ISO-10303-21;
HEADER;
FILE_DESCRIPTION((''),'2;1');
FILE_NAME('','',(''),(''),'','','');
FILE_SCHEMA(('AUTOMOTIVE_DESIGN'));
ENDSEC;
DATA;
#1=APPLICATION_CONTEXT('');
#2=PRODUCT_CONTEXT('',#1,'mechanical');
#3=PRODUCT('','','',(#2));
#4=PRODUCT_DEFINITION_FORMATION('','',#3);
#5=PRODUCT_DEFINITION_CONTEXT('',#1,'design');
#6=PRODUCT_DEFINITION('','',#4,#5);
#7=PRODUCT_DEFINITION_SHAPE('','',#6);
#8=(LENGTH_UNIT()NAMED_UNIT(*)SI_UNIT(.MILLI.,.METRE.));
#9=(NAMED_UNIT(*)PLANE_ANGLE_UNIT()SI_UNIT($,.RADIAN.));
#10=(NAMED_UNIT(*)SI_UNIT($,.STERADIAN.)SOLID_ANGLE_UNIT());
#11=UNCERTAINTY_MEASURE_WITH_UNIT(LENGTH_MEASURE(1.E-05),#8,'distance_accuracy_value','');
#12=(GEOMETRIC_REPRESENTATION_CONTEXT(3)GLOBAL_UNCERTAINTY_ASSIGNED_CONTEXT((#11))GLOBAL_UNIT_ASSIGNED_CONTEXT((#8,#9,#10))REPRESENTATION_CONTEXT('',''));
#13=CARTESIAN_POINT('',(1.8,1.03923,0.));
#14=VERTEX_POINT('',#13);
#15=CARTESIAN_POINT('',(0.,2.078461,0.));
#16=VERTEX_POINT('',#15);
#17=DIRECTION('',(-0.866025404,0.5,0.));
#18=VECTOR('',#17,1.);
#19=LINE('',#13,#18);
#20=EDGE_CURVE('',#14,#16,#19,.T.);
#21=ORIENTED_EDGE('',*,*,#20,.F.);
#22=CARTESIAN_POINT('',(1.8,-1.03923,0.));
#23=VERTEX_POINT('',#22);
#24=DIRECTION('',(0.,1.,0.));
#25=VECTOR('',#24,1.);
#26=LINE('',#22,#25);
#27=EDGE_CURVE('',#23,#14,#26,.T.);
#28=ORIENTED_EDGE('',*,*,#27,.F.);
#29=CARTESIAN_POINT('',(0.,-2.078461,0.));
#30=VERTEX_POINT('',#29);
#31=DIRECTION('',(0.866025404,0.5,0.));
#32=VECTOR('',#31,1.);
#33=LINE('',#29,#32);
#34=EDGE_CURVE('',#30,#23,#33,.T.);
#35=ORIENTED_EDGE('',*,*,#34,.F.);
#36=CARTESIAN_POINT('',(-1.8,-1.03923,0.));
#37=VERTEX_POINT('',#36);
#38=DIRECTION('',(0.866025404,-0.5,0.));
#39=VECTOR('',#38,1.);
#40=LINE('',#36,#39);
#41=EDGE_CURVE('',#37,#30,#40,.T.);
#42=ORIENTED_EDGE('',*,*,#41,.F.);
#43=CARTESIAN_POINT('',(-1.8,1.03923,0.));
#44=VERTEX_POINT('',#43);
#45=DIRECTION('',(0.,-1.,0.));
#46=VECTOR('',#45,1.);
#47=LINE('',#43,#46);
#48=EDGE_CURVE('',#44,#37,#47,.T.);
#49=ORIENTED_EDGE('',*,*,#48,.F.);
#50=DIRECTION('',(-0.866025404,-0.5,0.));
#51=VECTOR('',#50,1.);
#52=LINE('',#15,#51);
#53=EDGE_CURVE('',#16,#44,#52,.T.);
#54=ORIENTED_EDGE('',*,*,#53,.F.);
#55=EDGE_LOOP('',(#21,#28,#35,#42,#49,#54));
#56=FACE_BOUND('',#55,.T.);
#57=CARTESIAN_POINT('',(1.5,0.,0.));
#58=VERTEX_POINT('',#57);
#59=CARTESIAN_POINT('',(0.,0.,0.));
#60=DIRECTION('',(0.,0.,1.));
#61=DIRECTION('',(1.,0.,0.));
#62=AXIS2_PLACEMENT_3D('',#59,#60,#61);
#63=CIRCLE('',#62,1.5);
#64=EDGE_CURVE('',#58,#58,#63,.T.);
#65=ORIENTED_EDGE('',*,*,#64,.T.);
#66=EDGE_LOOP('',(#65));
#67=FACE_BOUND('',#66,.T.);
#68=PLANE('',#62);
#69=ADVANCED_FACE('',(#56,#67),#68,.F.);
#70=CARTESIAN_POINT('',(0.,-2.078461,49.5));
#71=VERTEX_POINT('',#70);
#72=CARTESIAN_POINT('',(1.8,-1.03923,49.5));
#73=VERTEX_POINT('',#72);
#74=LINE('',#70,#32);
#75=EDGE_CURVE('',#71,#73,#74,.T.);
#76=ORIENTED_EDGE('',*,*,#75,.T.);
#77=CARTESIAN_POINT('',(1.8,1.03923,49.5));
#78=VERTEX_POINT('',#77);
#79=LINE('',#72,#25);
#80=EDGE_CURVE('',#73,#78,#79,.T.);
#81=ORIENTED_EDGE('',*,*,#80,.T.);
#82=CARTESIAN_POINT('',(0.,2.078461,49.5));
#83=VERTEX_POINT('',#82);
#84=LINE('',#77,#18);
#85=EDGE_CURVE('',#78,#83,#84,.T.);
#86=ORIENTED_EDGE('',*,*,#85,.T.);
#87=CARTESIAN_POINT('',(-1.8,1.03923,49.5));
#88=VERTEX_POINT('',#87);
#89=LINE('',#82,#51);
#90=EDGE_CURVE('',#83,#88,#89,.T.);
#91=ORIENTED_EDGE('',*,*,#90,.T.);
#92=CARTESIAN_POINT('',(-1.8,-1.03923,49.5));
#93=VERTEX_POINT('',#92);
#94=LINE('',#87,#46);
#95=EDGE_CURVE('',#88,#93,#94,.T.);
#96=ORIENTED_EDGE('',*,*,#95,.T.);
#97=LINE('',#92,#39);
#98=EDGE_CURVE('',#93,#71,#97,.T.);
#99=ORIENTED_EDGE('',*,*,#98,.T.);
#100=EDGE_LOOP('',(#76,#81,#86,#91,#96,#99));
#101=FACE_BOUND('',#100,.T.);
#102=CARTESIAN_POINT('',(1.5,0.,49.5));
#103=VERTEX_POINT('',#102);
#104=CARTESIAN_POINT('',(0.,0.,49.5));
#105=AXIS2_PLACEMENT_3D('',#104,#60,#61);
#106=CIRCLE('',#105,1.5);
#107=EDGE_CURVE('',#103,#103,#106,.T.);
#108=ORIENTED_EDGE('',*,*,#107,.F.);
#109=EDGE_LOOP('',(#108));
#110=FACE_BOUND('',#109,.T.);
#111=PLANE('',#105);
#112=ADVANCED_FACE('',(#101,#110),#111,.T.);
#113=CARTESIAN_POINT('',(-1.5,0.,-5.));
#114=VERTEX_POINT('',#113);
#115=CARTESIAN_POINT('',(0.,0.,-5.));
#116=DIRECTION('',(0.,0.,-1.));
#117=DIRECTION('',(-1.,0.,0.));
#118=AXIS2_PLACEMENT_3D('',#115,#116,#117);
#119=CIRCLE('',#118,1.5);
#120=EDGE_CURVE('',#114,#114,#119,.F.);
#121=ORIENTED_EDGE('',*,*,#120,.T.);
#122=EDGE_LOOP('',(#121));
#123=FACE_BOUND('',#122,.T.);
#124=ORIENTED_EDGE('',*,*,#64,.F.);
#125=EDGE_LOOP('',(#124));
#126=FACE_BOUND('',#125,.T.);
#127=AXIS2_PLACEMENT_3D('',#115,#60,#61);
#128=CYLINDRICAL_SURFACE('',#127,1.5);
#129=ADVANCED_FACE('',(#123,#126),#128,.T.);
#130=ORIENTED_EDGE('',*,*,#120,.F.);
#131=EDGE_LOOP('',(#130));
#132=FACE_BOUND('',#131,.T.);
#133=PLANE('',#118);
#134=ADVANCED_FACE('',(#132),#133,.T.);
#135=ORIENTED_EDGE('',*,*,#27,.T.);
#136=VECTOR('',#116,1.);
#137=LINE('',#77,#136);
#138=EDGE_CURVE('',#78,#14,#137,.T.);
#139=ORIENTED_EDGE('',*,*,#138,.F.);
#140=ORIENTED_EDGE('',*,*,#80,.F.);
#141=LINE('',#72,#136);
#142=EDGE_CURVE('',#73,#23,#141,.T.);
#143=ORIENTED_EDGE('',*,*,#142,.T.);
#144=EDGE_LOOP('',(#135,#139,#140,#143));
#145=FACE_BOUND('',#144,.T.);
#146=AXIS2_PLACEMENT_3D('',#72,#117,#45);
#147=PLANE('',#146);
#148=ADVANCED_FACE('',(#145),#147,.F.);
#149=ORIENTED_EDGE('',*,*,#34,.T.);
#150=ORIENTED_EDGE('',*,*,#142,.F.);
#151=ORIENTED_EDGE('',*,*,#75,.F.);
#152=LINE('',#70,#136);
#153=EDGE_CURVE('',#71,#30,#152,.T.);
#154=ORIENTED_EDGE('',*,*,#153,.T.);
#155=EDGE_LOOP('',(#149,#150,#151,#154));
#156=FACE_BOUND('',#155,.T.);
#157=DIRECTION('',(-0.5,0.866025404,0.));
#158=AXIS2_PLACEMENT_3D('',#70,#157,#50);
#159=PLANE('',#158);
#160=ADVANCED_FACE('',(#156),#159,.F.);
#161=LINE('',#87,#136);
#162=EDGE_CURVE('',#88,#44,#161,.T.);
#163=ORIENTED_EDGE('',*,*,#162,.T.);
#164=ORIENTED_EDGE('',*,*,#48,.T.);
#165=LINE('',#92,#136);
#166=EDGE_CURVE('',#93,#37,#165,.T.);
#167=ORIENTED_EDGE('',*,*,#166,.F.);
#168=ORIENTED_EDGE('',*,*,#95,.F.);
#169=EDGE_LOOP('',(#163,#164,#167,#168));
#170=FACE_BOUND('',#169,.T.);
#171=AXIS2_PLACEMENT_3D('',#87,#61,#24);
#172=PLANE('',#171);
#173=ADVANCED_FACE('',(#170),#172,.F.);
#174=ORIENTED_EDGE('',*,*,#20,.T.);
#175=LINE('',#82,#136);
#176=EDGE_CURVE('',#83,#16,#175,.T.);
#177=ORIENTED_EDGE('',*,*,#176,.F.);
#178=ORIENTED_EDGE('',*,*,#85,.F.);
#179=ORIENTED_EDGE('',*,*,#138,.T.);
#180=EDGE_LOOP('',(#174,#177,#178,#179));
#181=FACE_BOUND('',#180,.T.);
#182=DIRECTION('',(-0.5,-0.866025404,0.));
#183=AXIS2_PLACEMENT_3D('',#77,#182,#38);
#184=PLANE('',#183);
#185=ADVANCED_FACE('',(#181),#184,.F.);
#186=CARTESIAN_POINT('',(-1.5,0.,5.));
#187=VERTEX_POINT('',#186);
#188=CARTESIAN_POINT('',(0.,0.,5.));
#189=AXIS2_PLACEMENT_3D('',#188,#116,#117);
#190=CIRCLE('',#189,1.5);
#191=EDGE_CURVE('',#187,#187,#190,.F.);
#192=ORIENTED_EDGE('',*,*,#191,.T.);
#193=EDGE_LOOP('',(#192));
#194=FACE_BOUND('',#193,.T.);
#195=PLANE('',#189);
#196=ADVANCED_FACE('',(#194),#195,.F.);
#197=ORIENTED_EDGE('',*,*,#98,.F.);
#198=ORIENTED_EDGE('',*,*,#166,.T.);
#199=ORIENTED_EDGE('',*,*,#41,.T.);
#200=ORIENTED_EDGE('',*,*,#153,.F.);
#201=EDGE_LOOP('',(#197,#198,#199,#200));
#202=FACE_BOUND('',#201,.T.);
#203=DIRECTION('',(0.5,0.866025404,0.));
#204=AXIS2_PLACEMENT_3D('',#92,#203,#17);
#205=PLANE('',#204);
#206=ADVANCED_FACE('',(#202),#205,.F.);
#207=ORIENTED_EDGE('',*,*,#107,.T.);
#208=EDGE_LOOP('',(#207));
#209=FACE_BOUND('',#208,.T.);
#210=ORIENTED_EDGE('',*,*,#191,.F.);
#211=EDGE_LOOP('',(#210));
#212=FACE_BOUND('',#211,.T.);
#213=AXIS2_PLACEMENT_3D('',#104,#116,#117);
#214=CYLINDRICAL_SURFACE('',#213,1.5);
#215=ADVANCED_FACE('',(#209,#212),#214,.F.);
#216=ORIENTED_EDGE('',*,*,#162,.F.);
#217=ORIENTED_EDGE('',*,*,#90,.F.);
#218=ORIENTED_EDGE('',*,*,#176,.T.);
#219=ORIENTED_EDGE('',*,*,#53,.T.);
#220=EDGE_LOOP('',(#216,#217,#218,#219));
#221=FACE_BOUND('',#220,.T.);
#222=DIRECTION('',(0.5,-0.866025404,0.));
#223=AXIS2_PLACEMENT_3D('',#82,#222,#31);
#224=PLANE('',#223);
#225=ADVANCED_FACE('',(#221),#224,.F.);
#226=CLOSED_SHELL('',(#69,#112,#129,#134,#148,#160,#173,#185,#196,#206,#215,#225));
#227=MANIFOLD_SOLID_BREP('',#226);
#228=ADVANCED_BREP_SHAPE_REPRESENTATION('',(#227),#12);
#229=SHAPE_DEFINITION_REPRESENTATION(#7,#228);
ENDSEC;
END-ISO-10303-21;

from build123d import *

# Parameters (mm, degrees)
SKETCH_1_R      = 1.5
EXTRUDE_1_DEPTH = 49.5
SKETCH_2_R      = 1.5
EXTRUDE_2_DEPTH = 5


with BuildPart() as part:
    # 草图1 → 凸台-拉伸1 (new body)
    with BuildSketch(Plane.XY):
        Polygon((0, 2.078460969), (-1.8, 1.039230485), (-1.8, -1.039230485), (0, -2.078460969), (1.8, -1.039230485), (1.8, 1.039230485), align=None)
        Circle(SKETCH_1_R, mode=Mode.SUBTRACT)
    extrude(amount=EXTRUDE_1_DEPTH)

    # 草图2 → 凸台-拉伸2 (add, symmetric)
    with BuildSketch(Plane(origin=(0, 0, 0), x_dir=(-1, 0, 0), z_dir=(0, 0, -1))):
        Circle(SKETCH_2_R)
    extrude(amount=EXTRUDE_2_DEPTH, both=True)


solid = part.part
